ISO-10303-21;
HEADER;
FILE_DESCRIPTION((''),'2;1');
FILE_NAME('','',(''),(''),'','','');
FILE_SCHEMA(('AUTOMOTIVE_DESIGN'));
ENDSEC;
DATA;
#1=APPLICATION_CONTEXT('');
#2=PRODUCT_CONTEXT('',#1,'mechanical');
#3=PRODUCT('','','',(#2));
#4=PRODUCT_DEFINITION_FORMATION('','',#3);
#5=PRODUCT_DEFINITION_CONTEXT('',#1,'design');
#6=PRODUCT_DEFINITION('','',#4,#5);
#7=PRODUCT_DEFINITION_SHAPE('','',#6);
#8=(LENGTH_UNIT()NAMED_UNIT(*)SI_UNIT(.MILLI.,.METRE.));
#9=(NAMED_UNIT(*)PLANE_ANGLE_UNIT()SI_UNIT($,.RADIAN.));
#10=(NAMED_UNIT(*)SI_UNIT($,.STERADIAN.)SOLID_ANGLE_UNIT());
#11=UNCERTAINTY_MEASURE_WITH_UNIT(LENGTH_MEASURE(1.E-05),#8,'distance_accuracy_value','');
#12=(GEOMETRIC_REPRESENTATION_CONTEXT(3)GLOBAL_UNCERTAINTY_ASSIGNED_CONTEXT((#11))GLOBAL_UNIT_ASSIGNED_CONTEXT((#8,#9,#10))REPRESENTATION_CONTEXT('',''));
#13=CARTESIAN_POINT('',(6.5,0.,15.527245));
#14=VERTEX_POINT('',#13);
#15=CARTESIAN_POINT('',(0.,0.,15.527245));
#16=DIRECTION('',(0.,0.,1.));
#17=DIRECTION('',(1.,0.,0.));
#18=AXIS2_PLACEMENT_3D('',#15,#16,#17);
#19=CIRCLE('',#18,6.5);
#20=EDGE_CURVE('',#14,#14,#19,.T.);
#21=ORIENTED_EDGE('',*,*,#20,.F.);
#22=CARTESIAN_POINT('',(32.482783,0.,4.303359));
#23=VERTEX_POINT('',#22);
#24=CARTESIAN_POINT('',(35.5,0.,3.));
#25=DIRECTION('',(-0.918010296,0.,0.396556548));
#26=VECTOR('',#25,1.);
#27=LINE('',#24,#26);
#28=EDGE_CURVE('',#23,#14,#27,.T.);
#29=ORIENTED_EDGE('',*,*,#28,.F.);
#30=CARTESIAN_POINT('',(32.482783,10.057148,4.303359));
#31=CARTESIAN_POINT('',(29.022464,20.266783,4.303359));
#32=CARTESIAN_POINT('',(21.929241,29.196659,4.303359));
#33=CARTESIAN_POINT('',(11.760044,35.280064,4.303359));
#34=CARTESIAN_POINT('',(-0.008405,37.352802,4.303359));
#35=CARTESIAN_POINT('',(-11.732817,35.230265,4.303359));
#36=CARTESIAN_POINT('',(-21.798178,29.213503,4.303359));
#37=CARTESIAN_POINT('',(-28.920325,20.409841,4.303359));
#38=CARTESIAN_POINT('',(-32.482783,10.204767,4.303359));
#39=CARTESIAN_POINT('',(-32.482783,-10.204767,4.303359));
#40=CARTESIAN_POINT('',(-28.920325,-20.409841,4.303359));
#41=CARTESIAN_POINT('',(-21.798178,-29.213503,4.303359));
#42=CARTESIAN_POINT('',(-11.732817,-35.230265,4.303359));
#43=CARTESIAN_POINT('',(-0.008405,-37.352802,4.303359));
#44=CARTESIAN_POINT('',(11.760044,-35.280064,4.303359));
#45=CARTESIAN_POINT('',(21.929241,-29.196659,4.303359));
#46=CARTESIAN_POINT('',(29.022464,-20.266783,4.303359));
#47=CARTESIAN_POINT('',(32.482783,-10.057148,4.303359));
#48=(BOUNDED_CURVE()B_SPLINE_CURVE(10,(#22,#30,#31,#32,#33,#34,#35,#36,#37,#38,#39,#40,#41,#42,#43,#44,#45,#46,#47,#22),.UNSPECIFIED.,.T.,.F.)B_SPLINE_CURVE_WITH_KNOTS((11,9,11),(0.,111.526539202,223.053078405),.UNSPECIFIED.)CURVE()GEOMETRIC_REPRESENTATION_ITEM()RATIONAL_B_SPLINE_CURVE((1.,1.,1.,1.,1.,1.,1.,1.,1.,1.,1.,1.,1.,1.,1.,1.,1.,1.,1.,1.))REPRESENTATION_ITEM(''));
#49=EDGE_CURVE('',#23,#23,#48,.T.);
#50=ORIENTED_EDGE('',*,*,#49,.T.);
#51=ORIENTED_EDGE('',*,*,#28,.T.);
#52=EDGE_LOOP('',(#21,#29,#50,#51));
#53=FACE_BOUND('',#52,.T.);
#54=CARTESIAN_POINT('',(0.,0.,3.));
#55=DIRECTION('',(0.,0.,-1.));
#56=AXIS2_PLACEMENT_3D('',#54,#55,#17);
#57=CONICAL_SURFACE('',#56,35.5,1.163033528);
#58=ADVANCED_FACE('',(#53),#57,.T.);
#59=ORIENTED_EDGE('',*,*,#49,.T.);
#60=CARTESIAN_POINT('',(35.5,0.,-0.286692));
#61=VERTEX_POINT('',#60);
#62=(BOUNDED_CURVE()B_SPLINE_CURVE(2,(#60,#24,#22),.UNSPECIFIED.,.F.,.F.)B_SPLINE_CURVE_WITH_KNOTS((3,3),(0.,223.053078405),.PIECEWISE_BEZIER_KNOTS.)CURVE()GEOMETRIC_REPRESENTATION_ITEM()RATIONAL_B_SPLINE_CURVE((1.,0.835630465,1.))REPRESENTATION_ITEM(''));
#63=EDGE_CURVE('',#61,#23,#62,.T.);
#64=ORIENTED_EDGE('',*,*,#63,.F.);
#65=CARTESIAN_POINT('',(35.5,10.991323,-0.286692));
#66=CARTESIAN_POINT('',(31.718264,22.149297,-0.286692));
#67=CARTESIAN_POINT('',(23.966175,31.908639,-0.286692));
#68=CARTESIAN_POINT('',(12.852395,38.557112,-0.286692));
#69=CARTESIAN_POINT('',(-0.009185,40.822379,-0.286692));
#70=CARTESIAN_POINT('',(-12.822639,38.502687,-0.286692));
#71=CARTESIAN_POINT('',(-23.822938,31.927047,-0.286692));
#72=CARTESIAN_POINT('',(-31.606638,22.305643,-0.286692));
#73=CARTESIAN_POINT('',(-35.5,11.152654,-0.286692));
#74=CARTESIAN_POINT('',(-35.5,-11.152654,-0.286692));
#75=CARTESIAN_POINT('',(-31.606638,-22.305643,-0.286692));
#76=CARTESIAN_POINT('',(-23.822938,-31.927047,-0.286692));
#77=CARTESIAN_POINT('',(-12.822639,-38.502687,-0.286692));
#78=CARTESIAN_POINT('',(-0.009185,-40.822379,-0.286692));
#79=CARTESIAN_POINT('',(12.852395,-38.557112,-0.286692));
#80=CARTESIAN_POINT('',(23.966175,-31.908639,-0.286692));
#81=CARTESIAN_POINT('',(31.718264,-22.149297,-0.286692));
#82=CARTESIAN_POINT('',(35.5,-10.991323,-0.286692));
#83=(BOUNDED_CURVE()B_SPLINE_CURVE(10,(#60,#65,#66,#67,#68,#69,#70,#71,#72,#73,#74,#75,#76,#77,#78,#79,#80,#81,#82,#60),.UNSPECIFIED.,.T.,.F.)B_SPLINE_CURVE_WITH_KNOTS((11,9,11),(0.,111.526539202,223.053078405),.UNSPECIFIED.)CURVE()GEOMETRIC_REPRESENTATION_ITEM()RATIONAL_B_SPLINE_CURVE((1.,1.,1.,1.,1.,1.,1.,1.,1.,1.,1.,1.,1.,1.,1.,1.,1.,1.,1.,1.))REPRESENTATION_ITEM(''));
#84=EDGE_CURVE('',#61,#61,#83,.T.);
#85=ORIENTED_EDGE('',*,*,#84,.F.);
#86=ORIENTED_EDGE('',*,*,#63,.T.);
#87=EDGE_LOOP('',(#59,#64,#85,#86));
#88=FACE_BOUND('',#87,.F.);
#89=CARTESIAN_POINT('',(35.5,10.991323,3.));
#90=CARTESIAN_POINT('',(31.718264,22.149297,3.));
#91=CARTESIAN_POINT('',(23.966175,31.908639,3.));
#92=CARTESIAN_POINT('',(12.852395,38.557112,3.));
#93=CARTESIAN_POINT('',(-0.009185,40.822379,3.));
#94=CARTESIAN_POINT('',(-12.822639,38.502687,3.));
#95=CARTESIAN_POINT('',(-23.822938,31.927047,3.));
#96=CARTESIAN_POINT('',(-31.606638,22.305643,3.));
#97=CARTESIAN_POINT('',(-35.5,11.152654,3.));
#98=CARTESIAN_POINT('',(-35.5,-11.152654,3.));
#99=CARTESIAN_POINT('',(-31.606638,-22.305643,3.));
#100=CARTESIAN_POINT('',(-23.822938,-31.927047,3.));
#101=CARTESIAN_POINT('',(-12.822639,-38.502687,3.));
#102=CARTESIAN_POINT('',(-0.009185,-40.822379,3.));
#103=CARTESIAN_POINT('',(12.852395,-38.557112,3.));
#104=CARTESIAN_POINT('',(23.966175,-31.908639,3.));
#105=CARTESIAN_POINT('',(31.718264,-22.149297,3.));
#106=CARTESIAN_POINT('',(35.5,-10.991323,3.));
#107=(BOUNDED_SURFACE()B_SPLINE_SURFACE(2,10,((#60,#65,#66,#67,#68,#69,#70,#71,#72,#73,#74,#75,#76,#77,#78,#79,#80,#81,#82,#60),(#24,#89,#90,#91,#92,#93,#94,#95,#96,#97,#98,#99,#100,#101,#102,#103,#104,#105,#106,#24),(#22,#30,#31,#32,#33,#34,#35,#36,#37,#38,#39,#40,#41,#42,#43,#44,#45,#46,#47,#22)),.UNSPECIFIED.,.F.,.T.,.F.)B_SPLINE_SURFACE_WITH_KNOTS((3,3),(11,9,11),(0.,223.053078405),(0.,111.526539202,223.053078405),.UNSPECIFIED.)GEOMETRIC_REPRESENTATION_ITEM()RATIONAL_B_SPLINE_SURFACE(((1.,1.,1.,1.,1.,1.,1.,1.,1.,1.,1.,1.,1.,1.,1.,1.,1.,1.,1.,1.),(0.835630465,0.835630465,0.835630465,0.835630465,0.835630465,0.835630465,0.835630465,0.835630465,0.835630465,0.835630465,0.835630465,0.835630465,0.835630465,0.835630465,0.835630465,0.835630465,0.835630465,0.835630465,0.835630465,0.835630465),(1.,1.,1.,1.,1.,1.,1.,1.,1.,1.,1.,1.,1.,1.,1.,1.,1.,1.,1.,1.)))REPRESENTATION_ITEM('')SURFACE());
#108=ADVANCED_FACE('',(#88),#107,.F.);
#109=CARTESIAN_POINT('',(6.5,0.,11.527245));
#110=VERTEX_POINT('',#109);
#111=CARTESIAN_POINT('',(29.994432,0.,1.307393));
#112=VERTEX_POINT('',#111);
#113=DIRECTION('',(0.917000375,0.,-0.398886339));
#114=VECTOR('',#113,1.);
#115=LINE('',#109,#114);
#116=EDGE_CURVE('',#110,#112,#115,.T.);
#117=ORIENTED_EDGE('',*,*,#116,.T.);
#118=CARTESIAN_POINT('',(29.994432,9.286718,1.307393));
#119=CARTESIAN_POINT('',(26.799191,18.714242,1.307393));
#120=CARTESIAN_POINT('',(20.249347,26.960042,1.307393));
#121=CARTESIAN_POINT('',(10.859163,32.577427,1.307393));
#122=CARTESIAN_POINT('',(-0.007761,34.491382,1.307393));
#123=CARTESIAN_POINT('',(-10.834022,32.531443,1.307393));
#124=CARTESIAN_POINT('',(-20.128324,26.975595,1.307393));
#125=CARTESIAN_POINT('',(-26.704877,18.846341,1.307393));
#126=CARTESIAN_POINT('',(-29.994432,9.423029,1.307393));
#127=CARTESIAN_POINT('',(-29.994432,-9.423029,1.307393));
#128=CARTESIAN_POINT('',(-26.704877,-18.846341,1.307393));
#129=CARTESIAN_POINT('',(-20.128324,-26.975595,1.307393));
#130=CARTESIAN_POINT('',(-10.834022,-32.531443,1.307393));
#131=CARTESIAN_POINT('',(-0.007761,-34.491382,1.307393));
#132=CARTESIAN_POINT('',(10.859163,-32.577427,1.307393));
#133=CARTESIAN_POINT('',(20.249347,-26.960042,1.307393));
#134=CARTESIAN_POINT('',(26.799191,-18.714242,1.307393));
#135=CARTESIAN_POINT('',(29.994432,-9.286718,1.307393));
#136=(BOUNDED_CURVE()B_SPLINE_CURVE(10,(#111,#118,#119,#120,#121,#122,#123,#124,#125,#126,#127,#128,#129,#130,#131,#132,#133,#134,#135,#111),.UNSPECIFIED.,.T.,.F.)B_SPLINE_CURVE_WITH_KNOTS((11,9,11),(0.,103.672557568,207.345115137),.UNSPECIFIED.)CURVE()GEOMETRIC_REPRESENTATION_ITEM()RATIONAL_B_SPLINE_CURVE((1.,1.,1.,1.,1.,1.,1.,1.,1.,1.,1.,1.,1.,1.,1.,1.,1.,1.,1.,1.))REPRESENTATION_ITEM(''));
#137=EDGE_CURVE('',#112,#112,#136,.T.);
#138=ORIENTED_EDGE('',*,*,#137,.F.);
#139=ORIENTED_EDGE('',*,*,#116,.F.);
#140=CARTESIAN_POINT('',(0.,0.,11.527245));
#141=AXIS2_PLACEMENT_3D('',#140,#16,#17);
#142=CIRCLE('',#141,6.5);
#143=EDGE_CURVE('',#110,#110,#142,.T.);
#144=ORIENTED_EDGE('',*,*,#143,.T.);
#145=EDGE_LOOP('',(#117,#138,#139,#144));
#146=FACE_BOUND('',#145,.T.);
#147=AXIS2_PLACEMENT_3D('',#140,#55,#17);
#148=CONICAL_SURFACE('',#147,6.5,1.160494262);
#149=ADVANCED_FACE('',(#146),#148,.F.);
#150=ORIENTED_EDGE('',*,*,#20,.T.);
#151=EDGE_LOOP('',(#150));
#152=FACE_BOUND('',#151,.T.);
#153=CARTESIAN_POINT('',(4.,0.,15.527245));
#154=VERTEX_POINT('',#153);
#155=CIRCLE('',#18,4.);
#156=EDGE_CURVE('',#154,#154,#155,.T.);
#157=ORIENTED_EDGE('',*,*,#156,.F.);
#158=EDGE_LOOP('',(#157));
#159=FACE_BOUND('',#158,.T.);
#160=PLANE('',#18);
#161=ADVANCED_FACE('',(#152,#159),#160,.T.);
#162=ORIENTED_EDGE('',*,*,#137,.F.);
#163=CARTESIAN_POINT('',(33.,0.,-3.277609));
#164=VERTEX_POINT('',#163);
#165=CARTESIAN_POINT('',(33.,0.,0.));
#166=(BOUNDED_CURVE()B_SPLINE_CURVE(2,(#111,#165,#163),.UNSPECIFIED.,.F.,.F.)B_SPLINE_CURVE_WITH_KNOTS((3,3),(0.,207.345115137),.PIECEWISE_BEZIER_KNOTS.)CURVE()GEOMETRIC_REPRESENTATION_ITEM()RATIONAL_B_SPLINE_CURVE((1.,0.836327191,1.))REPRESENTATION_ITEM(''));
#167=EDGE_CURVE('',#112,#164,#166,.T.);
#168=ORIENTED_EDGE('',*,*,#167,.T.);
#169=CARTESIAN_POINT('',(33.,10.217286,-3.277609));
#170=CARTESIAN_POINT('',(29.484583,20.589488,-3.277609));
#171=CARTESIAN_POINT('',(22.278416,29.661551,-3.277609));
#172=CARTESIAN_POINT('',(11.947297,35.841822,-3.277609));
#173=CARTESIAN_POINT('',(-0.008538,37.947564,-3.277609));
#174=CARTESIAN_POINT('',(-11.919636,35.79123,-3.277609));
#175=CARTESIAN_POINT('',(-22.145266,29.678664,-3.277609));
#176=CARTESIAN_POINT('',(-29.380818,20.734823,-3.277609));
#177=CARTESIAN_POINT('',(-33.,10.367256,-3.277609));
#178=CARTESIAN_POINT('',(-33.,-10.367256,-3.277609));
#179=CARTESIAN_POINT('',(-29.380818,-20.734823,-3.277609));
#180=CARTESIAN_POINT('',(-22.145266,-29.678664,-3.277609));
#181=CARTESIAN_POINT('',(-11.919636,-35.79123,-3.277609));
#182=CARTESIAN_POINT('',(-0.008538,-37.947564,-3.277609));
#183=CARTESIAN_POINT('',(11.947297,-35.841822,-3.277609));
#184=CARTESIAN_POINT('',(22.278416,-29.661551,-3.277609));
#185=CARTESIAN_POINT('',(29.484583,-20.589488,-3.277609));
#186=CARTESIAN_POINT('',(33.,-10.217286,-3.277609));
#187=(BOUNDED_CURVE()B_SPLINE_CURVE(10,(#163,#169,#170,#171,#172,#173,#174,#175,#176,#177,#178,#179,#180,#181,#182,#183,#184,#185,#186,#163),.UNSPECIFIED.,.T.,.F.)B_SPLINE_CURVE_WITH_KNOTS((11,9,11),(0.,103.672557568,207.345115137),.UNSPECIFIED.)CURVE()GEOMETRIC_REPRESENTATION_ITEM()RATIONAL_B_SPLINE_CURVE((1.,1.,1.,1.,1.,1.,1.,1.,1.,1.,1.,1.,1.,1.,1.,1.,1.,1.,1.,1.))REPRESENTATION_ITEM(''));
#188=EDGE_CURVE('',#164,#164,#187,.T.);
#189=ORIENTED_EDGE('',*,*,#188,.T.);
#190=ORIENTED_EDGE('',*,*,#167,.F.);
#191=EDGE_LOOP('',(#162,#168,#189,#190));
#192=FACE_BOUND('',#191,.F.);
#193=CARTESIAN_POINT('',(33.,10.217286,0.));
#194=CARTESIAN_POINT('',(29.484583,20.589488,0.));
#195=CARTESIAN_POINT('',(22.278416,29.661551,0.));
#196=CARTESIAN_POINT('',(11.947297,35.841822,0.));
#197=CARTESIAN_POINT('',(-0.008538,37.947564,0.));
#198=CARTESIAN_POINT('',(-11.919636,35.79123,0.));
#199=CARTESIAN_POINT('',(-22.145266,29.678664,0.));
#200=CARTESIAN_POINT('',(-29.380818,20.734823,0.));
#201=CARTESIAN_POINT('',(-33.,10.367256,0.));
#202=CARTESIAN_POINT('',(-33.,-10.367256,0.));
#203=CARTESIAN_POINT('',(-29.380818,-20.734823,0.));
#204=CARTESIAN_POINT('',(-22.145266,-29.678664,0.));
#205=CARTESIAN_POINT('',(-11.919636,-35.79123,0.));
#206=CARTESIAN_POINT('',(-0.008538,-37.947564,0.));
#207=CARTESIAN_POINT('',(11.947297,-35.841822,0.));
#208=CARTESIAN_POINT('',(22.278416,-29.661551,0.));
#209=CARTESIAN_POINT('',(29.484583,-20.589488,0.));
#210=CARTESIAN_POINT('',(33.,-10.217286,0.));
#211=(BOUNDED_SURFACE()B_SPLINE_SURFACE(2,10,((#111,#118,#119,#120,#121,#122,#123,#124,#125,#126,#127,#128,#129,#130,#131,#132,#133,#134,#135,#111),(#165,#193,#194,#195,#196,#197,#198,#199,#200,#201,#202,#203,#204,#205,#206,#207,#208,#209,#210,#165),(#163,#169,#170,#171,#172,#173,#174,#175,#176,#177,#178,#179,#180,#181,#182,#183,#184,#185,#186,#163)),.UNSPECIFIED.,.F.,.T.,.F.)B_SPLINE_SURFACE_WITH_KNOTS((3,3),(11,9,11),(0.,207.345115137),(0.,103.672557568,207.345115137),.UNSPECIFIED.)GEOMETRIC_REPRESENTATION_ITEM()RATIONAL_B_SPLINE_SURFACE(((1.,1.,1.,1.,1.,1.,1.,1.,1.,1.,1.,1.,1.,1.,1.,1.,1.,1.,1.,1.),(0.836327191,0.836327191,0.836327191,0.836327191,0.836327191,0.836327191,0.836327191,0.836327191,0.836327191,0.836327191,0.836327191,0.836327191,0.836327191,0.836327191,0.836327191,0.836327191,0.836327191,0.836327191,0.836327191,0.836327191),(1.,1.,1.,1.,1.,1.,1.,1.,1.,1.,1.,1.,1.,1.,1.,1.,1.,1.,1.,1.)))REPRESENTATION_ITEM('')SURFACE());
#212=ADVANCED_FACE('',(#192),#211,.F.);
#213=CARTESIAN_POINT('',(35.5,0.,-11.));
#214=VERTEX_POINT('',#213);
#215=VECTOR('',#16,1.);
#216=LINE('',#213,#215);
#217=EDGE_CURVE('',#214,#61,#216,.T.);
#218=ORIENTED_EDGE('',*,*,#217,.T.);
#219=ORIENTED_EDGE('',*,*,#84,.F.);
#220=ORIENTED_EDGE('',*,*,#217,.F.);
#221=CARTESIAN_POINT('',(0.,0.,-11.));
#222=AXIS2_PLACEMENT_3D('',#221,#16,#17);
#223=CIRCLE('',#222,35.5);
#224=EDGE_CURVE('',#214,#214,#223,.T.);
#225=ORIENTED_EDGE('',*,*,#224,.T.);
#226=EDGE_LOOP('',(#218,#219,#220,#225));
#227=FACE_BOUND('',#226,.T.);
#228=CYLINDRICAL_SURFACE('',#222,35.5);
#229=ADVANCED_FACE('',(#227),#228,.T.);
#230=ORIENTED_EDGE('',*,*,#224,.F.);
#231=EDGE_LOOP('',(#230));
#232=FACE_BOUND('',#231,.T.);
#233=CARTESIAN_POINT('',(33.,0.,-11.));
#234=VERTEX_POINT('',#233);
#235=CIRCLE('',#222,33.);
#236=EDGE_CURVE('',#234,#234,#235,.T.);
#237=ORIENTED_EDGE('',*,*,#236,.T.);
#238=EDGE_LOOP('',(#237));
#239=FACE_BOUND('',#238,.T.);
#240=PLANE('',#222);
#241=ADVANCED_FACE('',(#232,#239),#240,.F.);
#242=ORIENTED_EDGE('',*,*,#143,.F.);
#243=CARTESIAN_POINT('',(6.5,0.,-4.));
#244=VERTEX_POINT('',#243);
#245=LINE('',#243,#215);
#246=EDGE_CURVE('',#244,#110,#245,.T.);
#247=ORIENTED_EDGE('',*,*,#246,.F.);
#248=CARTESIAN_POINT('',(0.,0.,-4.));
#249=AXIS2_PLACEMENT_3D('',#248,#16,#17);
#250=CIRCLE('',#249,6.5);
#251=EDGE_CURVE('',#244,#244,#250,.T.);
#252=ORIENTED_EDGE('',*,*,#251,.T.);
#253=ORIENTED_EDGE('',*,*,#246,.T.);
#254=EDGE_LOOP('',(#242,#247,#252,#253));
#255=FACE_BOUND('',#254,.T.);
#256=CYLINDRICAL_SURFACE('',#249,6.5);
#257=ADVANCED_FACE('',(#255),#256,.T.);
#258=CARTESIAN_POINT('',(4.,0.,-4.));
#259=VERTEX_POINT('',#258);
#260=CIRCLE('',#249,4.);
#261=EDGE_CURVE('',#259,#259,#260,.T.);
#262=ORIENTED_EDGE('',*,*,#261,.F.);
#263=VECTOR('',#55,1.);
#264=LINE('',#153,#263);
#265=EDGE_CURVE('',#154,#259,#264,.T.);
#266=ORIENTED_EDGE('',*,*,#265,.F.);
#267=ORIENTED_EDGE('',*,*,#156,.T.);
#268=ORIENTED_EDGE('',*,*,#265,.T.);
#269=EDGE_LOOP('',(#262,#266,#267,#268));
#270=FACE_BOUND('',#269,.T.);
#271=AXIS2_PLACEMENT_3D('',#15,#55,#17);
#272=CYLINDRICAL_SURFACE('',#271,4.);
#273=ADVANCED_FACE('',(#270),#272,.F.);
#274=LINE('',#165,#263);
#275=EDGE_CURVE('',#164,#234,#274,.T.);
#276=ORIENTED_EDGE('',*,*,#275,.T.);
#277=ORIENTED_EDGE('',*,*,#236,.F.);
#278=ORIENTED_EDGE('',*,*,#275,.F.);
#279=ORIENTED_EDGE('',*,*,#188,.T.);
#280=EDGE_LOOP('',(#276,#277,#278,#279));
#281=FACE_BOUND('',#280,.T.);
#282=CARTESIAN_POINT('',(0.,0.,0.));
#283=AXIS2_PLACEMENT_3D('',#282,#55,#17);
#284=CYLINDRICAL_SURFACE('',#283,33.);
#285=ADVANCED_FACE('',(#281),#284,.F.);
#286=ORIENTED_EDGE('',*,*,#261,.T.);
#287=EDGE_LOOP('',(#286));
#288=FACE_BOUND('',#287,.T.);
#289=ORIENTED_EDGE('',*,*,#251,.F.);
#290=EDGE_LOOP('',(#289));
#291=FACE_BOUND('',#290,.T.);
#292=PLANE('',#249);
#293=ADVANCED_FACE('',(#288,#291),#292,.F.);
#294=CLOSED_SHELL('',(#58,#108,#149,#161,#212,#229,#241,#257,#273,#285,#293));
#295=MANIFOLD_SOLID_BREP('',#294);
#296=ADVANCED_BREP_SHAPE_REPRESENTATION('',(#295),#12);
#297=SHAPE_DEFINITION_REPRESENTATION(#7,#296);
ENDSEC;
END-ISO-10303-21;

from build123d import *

# Parameters (mm, degrees)
F2_R = 5


with BuildPart() as f1:
    # F0 (on Front) → F1 (revolve)
    with BuildSketch(Plane.XZ):
        Polygon((6.5, 11.527245), (33, 0), (33, -11), (35.5, -11), (35.5, 3), (6.5, 15.527245), (4, 15.527245), (4, -4), (6.5, -4), align=None)
    revolve(axis=Axis((0, 0, 34.618549), (0, 0, 1)))

    # F2
    f2_edges = [f1.edges().sort_by_distance(p)[0] for p in [
        (-35.5, 0, 3),
        (-33, 0, 0),
    ]]
    fillet(f2_edges, radius=F2_R)


solid = f1.part
